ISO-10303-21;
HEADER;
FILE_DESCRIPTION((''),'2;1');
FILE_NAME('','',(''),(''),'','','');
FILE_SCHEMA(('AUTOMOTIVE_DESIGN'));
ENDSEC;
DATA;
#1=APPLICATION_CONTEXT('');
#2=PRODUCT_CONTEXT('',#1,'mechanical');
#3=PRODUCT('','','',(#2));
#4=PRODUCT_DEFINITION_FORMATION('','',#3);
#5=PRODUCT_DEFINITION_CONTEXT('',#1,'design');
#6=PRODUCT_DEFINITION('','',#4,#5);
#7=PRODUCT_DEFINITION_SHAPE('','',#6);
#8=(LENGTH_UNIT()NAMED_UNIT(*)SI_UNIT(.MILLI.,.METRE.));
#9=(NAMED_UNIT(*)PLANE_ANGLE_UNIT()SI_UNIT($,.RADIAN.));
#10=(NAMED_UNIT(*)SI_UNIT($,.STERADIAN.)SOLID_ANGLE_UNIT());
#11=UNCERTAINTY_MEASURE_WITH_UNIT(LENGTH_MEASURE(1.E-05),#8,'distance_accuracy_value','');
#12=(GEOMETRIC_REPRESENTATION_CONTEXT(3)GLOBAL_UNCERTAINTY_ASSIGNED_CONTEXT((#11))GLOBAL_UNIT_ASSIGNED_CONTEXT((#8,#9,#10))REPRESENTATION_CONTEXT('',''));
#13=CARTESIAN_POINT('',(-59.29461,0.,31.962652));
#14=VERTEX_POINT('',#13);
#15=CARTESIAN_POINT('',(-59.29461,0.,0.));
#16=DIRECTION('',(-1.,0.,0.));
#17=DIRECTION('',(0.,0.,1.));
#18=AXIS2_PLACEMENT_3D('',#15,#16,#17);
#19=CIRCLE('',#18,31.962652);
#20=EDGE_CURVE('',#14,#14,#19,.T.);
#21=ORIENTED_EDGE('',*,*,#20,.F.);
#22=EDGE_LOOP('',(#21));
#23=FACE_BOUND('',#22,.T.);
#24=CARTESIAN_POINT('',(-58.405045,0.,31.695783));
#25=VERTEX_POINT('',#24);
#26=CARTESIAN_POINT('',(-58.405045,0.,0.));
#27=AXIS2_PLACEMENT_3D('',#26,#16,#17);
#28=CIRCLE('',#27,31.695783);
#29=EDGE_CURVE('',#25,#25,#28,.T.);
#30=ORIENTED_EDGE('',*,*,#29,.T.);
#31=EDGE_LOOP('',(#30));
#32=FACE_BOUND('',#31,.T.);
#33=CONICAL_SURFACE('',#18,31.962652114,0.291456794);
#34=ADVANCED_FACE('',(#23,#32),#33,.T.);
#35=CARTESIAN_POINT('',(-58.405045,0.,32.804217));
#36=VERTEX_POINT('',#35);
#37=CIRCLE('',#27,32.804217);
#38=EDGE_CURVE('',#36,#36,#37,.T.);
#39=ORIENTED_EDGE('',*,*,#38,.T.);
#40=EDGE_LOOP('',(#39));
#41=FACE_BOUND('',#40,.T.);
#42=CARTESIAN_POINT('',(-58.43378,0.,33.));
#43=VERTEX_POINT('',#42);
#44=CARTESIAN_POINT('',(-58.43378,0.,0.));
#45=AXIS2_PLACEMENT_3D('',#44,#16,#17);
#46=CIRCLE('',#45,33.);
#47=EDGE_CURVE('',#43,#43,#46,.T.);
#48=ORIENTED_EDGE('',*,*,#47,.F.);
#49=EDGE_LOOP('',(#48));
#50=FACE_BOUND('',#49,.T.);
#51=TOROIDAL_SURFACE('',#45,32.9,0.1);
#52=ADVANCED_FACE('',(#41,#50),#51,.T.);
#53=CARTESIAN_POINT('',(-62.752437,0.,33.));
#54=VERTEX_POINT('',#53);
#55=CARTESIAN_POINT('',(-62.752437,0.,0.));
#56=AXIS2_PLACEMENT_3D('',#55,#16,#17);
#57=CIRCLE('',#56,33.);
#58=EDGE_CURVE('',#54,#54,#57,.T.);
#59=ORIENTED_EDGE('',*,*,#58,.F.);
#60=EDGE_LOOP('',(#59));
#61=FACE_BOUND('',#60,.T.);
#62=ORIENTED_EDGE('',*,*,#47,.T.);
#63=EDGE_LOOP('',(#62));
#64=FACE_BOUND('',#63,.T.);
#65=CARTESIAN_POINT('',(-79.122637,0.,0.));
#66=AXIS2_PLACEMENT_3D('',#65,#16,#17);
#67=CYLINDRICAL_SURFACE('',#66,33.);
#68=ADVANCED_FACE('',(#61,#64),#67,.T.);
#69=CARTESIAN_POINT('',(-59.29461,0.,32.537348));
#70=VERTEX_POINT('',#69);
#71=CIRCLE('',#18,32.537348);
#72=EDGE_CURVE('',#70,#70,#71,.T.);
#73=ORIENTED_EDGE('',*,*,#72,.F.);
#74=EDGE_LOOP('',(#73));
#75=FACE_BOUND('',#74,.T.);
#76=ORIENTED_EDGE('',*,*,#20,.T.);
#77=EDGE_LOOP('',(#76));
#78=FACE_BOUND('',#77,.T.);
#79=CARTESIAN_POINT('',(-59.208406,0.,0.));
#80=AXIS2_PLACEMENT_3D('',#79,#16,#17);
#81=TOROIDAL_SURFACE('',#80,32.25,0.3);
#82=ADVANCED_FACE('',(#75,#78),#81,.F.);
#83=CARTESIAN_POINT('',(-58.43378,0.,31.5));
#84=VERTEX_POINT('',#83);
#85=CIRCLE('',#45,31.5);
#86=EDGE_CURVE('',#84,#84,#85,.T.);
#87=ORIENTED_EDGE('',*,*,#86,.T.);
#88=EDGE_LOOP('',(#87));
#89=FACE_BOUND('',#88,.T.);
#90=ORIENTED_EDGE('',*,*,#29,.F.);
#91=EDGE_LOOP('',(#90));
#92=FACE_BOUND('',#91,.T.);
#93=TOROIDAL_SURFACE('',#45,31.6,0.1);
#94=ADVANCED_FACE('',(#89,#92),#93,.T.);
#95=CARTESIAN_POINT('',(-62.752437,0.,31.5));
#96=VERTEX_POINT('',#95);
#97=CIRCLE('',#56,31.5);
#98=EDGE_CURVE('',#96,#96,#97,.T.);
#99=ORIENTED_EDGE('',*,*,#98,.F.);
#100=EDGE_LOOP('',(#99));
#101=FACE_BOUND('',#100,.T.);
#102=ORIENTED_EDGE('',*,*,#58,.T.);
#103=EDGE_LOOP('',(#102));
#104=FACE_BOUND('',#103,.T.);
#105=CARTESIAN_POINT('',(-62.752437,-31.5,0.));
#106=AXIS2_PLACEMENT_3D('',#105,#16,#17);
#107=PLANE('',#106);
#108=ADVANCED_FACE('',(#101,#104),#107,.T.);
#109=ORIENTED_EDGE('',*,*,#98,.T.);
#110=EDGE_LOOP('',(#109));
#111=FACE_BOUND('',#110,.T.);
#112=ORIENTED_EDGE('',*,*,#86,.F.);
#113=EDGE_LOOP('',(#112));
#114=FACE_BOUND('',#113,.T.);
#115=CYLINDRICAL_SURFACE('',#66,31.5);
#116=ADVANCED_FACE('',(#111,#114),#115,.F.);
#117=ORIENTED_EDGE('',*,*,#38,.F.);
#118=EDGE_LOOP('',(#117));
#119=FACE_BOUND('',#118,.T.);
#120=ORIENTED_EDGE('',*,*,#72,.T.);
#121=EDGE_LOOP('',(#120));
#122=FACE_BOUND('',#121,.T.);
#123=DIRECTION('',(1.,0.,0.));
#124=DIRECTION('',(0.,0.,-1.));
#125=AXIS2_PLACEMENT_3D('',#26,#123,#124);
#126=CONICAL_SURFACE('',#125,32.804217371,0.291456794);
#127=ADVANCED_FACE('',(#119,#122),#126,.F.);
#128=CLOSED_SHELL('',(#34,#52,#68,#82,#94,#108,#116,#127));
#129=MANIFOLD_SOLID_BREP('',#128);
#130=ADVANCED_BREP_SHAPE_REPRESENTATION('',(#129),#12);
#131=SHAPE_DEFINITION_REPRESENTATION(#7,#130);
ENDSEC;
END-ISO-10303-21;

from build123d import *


with BuildPart() as part:
    # Sketch1 → Revolve1 (revolve)
    with BuildSketch(Plane.XY, mode=Mode.PRIVATE) as revolve1_sk:
        with BuildLine():
            Line((-62.75243655, -33), (-58.433780101, -33))
            ThreePointArc((-58.433780101, -33), (-58.334840061, -32.914521314), (-58.405045312, -32.804217371))
            Line((-58.405045312, -32.804217371), (-59.294610265, -32.537347886))
            ThreePointArc((-59.294610265, -32.537347886), (-59.508405899, -32.25), (-59.294610265, -31.962652114))
            Line((-59.294610265, -31.962652114), (-58.405045312, -31.695782629))
            ThreePointArc((-58.405045312, -31.695782629), (-58.334840061, -31.585478686), (-58.433780101, -31.5))
            Line((-58.433780101, -31.5), (-62.75243655, -31.5))
            Line((-62.75243655, -31.5), (-62.75243655, -33))
        make_face()
    revolve(revolve1_sk.sketch.rotate(Axis((-79.12263739, 0, 0), (1, 0, 0)), 270), axis=Axis((-79.12263739, 0, 0), (1, 0, 0)))


solid = part.part
